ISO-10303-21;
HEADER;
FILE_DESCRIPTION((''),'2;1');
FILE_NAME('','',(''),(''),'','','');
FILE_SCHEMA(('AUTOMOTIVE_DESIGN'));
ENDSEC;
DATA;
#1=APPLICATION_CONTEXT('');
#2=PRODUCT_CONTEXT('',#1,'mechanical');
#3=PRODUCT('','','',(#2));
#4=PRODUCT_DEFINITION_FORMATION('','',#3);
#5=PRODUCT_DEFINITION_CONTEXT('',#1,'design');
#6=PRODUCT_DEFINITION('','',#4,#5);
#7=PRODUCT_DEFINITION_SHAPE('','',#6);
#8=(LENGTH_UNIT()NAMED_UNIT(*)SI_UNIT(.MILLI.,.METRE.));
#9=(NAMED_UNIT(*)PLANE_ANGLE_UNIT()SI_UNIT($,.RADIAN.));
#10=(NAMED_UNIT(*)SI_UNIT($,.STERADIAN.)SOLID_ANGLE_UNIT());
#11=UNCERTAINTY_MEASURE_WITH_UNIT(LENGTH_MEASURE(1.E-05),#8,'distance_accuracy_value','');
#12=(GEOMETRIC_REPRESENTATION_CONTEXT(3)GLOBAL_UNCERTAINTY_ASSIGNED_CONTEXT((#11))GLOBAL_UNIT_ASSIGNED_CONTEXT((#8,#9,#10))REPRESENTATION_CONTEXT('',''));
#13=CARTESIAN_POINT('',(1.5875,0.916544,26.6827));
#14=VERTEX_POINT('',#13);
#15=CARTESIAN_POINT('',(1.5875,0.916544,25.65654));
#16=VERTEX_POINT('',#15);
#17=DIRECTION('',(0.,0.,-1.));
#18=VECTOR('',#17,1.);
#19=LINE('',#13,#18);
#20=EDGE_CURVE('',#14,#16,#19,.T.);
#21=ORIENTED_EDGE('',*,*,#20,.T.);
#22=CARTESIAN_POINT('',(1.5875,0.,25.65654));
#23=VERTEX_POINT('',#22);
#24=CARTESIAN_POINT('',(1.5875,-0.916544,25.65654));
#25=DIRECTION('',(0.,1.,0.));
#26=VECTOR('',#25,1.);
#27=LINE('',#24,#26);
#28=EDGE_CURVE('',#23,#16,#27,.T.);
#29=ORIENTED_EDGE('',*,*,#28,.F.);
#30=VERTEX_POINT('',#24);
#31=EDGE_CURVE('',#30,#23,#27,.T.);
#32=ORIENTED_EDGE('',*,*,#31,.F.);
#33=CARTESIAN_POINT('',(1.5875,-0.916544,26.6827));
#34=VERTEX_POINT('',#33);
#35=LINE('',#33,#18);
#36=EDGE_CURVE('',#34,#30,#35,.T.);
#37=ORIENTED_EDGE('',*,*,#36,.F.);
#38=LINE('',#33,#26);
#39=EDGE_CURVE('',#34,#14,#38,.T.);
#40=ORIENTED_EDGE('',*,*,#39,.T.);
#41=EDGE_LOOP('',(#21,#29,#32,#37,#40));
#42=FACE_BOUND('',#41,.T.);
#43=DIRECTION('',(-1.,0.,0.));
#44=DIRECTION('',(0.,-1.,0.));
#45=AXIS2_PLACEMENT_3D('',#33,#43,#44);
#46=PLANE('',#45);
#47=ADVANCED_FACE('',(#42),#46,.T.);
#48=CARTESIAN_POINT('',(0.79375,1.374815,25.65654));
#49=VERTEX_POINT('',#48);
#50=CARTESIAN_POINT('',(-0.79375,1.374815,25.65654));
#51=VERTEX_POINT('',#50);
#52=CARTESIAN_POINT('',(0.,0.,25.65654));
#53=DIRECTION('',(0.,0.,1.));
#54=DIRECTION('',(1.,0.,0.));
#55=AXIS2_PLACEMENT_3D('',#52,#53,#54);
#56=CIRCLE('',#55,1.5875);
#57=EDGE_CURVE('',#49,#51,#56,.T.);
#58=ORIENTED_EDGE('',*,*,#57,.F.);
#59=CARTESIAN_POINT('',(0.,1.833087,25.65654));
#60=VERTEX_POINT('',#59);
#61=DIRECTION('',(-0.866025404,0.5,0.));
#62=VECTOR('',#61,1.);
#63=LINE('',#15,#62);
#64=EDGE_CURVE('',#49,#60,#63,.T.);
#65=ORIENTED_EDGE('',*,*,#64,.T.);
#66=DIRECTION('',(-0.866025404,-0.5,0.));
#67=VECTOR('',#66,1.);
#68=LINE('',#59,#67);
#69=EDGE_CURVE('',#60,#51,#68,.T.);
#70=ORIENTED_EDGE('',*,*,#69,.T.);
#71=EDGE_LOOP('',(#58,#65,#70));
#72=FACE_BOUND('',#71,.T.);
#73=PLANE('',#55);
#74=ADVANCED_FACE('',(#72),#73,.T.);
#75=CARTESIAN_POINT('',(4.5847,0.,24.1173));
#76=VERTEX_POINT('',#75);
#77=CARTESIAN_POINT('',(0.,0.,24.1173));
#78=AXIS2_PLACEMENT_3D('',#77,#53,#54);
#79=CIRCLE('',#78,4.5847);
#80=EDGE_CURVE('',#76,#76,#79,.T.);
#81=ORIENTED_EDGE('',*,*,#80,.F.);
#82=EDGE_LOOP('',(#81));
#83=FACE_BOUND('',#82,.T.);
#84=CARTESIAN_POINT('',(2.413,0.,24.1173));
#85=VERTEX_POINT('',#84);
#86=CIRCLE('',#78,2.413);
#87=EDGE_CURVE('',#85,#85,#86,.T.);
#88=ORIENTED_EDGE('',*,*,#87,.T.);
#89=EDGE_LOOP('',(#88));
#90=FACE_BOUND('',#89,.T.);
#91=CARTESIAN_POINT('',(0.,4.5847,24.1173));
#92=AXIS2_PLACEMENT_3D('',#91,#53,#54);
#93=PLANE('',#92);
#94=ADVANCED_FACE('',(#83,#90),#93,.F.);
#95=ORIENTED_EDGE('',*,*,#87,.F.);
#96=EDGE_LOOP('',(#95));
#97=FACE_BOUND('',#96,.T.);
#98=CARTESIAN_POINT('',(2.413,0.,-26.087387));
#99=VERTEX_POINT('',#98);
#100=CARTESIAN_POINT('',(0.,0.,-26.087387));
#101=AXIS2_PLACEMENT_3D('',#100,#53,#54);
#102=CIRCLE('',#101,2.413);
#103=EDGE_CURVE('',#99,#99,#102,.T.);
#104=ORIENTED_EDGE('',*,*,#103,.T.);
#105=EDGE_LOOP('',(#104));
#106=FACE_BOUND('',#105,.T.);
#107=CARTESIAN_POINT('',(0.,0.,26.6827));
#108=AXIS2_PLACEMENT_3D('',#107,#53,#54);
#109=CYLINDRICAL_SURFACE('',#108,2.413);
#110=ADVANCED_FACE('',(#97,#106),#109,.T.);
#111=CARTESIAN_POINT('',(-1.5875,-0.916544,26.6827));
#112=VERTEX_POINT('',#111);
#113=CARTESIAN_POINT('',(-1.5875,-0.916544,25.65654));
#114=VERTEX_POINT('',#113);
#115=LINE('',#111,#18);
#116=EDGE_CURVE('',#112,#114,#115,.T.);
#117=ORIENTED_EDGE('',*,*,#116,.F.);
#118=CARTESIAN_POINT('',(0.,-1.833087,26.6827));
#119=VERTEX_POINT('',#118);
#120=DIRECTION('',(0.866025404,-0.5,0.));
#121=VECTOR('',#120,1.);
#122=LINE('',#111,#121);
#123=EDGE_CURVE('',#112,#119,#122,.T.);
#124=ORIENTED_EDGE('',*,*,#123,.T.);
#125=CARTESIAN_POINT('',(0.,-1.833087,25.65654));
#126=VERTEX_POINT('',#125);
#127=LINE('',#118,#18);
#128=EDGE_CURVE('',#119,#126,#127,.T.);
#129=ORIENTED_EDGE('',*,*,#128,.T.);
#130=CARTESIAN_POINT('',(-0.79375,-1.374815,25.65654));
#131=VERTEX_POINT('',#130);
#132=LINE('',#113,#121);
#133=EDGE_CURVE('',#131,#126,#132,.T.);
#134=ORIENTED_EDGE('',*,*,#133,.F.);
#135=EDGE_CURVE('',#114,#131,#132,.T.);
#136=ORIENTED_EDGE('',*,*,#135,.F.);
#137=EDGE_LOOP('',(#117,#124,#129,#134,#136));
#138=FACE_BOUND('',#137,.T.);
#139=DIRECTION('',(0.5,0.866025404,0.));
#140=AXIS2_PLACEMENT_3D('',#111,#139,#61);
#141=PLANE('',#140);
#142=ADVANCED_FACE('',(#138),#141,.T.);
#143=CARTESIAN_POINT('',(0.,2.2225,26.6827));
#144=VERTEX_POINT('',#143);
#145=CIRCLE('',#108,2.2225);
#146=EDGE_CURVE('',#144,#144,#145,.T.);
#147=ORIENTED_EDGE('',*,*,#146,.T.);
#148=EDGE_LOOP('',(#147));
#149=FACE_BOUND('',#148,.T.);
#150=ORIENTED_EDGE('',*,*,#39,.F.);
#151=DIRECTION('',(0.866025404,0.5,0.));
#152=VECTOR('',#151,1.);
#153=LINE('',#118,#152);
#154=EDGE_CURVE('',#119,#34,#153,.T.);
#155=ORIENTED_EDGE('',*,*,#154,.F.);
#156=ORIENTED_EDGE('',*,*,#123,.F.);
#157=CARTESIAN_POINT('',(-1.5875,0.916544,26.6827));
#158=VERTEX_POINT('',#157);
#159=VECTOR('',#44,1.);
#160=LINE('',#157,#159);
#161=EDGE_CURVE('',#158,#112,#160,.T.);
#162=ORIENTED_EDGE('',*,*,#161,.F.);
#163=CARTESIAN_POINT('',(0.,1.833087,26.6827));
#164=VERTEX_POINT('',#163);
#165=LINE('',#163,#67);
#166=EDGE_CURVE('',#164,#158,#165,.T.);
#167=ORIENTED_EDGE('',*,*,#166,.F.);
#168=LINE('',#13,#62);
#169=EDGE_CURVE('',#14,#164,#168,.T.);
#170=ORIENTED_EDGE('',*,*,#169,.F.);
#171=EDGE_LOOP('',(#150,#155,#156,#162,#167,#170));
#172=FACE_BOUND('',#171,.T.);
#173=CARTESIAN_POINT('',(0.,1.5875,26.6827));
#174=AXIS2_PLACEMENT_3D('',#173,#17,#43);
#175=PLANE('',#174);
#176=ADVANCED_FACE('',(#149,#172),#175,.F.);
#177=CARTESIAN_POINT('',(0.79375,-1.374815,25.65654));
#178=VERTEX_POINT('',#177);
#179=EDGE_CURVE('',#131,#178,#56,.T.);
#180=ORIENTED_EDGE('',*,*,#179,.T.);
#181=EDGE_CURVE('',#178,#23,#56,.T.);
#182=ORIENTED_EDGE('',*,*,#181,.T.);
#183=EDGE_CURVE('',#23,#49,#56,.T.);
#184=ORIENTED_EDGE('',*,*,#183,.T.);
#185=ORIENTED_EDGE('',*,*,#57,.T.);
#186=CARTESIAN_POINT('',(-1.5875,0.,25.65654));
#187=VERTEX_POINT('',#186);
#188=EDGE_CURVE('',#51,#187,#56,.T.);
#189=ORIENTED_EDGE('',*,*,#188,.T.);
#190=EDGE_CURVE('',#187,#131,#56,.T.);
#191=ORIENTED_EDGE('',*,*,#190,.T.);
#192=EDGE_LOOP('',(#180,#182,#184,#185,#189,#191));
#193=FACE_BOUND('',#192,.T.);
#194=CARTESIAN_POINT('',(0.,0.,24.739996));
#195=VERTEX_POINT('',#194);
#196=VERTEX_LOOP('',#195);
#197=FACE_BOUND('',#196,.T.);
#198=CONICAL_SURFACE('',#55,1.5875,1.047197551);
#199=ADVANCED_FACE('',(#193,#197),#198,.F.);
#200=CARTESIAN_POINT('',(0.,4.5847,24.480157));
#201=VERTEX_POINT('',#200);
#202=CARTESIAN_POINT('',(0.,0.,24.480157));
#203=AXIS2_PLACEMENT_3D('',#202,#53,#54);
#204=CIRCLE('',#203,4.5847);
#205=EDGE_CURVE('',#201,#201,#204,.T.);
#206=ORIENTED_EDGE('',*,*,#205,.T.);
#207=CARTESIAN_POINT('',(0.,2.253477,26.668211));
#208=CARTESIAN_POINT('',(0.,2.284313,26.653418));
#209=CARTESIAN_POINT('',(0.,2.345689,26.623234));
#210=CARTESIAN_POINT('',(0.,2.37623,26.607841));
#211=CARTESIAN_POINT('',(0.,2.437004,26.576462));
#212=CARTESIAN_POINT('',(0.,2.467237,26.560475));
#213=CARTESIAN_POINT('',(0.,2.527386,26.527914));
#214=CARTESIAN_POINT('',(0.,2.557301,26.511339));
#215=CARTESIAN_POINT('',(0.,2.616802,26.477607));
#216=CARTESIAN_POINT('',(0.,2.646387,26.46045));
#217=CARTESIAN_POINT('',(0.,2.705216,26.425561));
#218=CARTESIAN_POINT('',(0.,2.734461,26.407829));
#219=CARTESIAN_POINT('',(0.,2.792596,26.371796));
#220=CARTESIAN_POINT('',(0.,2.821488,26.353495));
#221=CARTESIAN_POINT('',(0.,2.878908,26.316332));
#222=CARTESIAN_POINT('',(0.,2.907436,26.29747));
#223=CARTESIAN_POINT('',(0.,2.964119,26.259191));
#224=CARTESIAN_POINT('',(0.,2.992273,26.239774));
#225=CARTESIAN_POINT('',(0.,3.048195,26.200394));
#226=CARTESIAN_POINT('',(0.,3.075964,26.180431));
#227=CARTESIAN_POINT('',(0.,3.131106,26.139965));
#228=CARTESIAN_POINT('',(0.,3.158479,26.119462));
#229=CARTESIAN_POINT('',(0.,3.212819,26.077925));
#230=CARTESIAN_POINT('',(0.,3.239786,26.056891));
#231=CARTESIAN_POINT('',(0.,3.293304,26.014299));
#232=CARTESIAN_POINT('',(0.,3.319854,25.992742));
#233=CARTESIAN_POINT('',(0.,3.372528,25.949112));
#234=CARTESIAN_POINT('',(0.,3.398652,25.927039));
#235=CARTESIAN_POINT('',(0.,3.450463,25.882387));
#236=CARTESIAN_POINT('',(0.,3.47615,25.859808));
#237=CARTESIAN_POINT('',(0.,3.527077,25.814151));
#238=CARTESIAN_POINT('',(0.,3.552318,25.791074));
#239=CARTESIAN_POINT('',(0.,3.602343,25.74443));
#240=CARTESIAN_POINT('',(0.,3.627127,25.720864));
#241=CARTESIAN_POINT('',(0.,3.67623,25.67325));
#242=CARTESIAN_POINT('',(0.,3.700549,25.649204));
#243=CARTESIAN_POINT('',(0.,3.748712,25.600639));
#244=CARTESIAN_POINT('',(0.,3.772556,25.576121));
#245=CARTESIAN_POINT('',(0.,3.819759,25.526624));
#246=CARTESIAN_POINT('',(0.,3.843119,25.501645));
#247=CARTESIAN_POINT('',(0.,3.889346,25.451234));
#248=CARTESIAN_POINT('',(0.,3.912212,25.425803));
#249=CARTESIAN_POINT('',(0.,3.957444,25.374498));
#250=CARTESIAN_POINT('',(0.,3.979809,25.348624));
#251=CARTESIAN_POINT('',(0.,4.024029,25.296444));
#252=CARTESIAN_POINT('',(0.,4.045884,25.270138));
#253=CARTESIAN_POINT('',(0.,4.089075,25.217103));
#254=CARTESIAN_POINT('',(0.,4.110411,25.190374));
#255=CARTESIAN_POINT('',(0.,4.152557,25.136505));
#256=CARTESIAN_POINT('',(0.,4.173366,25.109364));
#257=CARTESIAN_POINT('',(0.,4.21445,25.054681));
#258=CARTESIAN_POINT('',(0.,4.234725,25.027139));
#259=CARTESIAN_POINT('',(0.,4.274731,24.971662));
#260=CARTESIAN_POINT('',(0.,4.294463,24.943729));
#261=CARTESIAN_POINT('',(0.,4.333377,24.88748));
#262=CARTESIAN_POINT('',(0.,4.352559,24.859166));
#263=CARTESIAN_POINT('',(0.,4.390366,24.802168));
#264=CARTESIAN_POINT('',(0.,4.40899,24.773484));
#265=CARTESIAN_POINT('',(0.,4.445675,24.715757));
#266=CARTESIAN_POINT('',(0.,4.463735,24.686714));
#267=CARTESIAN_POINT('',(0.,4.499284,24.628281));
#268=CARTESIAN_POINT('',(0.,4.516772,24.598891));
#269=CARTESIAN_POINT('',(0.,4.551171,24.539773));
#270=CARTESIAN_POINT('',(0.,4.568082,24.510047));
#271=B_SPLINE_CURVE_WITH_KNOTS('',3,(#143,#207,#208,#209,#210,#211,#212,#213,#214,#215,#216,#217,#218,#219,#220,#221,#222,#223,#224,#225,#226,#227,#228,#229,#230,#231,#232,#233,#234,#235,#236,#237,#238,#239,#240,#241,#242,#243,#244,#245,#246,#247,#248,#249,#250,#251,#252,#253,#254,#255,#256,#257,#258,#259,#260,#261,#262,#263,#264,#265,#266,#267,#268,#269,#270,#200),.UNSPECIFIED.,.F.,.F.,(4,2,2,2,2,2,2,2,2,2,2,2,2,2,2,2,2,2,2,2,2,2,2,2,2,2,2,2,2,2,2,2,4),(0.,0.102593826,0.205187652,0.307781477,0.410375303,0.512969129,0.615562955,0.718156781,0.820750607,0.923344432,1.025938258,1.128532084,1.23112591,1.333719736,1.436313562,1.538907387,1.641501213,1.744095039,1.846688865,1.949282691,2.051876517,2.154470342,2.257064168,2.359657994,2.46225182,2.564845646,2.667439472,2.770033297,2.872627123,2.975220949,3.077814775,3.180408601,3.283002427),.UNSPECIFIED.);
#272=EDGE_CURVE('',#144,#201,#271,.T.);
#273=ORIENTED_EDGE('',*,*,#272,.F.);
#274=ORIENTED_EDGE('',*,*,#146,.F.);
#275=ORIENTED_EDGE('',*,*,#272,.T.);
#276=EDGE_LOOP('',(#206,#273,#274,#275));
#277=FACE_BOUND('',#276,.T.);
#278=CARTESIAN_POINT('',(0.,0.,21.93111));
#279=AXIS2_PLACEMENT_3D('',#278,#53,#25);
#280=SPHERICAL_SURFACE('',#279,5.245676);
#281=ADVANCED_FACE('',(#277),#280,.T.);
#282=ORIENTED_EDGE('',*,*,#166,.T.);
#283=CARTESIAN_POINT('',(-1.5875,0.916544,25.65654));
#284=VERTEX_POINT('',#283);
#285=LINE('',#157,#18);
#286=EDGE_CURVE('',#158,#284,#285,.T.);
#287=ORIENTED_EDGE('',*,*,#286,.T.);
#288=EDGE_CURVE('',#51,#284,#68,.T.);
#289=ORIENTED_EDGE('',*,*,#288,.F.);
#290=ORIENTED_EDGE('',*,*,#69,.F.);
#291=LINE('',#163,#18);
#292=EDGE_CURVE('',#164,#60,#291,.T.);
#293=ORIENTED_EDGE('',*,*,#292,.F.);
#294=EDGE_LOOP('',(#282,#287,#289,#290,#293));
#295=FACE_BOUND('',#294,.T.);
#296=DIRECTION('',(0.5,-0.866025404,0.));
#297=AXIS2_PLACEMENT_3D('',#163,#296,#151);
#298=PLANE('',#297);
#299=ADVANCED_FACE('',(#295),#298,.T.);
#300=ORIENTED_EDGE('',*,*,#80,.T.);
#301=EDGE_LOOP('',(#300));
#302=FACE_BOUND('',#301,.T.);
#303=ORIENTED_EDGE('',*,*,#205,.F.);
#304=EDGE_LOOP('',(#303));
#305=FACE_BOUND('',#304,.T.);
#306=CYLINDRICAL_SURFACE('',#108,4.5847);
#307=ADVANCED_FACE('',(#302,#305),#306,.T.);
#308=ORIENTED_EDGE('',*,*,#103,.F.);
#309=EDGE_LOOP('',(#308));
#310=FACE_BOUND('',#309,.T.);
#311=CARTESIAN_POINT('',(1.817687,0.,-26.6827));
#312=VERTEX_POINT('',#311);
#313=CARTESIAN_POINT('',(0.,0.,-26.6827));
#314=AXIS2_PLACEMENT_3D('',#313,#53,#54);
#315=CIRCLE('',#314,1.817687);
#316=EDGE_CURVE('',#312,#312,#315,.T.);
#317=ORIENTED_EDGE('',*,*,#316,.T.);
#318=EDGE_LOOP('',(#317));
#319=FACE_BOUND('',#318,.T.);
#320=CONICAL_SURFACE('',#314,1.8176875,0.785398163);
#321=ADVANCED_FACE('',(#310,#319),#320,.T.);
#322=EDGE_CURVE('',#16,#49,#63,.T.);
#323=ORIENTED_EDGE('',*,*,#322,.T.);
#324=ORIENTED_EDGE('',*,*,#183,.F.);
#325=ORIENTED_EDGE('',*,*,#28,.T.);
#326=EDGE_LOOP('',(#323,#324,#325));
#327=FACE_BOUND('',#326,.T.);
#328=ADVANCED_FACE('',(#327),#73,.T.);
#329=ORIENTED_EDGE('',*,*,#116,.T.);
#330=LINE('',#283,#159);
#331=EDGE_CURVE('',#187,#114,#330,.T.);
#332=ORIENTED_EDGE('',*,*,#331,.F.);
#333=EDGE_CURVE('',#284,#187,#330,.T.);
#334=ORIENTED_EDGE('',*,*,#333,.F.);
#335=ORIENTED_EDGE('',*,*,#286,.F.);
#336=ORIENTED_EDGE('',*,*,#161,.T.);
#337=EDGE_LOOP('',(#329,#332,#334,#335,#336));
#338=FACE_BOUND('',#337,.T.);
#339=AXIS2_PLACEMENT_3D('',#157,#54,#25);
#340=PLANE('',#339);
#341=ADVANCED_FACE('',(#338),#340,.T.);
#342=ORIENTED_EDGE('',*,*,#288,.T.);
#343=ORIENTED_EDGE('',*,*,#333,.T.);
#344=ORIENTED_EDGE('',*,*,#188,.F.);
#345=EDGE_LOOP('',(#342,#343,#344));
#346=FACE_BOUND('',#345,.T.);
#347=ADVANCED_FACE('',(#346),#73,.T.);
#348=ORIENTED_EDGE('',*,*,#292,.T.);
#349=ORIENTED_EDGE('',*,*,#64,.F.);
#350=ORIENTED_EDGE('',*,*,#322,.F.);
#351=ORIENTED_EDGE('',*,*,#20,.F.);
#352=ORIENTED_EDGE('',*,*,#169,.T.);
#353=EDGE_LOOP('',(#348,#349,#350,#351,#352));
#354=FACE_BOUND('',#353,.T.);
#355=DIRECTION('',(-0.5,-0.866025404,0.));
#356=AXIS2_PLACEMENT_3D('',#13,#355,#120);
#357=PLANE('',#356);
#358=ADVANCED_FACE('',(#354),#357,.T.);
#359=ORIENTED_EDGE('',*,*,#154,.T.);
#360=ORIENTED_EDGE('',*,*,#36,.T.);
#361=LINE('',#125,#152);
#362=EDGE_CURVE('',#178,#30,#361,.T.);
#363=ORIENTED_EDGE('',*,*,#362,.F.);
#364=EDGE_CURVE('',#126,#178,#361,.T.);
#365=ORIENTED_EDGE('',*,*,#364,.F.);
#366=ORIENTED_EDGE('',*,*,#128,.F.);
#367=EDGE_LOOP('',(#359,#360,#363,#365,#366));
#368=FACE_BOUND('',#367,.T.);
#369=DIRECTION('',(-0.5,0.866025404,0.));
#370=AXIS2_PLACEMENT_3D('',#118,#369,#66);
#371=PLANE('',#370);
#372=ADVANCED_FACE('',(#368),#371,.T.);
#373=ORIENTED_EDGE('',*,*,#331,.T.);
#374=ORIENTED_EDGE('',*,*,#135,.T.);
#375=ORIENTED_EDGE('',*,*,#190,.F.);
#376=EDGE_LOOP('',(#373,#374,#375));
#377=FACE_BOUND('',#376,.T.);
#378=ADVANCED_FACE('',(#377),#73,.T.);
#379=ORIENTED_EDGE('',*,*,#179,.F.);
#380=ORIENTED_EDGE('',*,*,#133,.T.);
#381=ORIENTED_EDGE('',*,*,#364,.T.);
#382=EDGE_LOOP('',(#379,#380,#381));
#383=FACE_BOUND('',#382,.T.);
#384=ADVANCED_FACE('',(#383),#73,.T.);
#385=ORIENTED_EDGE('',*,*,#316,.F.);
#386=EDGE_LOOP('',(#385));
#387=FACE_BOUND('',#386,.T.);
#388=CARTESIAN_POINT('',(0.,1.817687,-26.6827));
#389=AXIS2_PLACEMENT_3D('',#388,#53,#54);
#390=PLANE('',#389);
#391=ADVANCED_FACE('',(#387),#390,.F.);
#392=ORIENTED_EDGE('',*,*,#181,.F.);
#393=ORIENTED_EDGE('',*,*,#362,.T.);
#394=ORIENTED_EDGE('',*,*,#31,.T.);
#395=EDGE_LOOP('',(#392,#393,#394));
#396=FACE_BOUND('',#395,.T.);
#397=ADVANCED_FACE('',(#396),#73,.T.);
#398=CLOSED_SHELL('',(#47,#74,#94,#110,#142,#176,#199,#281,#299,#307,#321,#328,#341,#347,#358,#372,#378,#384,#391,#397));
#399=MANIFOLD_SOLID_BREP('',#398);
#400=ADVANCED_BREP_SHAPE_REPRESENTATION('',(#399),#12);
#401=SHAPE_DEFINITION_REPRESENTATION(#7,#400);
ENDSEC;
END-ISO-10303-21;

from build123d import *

# Parameters (mm, degrees)
CUT_EXTRUDE1_START = 25.65654
CUT_EXTRUDE1_DEPTH = 2.802619264


with BuildPart() as part:
    # Sketch2 → Revolve1 (revolve)
    with BuildSketch(Plane(origin=(0, 0, 0), x_dir=(0, 0, -1), z_dir=(1, 0, 0)), mode=Mode.PRIVATE) as revolve1_sk:
        with BuildLine():
            Line((-26.6827, 1.5875), (-26.6827, 2.2225))
            ThreePointArc((-26.6827, 2.2225), (-25.767752118, 3.57733025), (-24.480157143, 4.5847))
            Line((-24.480157143, 4.5847), (-24.1173, 4.5847))
            Line((-24.1173, 4.5847), (-24.1173, 2.413))
            Line((-24.1173, 2.413), (26.0873875, 2.413))
            Line((26.0873875, 2.413), (26.6827, 1.8176875))
            Line((26.6827, 1.8176875), (26.6827, 0))
            Line((26.6827, 0), (-24.739996448, 0))
            Line((-24.739996448, 0), (-25.65654, 1.5875))
            Line((-25.65654, 1.5875), (-26.6827, 1.5875))
        make_face()
    revolve(revolve1_sk.sketch.rotate(Axis((0, 0, 26.6827), (0, 0, -1)), 90), axis=Axis((0, 0, 26.6827), (0, 0, -1)))

    # Sketch3 → Cut-Extrude1 (cut, through all)
    with BuildSketch(Plane.XY.offset(CUT_EXTRUDE1_START)):
        Polygon((0, 1.833087105), (-1.5875, 0.916543552), (-1.5875, -0.916543552), (0, -1.833087105), (1.5875, -0.916543552), (1.5875, 0.916543552), align=None)
    extrude(amount=CUT_EXTRUDE1_DEPTH, mode=Mode.SUBTRACT)


solid = part.part
